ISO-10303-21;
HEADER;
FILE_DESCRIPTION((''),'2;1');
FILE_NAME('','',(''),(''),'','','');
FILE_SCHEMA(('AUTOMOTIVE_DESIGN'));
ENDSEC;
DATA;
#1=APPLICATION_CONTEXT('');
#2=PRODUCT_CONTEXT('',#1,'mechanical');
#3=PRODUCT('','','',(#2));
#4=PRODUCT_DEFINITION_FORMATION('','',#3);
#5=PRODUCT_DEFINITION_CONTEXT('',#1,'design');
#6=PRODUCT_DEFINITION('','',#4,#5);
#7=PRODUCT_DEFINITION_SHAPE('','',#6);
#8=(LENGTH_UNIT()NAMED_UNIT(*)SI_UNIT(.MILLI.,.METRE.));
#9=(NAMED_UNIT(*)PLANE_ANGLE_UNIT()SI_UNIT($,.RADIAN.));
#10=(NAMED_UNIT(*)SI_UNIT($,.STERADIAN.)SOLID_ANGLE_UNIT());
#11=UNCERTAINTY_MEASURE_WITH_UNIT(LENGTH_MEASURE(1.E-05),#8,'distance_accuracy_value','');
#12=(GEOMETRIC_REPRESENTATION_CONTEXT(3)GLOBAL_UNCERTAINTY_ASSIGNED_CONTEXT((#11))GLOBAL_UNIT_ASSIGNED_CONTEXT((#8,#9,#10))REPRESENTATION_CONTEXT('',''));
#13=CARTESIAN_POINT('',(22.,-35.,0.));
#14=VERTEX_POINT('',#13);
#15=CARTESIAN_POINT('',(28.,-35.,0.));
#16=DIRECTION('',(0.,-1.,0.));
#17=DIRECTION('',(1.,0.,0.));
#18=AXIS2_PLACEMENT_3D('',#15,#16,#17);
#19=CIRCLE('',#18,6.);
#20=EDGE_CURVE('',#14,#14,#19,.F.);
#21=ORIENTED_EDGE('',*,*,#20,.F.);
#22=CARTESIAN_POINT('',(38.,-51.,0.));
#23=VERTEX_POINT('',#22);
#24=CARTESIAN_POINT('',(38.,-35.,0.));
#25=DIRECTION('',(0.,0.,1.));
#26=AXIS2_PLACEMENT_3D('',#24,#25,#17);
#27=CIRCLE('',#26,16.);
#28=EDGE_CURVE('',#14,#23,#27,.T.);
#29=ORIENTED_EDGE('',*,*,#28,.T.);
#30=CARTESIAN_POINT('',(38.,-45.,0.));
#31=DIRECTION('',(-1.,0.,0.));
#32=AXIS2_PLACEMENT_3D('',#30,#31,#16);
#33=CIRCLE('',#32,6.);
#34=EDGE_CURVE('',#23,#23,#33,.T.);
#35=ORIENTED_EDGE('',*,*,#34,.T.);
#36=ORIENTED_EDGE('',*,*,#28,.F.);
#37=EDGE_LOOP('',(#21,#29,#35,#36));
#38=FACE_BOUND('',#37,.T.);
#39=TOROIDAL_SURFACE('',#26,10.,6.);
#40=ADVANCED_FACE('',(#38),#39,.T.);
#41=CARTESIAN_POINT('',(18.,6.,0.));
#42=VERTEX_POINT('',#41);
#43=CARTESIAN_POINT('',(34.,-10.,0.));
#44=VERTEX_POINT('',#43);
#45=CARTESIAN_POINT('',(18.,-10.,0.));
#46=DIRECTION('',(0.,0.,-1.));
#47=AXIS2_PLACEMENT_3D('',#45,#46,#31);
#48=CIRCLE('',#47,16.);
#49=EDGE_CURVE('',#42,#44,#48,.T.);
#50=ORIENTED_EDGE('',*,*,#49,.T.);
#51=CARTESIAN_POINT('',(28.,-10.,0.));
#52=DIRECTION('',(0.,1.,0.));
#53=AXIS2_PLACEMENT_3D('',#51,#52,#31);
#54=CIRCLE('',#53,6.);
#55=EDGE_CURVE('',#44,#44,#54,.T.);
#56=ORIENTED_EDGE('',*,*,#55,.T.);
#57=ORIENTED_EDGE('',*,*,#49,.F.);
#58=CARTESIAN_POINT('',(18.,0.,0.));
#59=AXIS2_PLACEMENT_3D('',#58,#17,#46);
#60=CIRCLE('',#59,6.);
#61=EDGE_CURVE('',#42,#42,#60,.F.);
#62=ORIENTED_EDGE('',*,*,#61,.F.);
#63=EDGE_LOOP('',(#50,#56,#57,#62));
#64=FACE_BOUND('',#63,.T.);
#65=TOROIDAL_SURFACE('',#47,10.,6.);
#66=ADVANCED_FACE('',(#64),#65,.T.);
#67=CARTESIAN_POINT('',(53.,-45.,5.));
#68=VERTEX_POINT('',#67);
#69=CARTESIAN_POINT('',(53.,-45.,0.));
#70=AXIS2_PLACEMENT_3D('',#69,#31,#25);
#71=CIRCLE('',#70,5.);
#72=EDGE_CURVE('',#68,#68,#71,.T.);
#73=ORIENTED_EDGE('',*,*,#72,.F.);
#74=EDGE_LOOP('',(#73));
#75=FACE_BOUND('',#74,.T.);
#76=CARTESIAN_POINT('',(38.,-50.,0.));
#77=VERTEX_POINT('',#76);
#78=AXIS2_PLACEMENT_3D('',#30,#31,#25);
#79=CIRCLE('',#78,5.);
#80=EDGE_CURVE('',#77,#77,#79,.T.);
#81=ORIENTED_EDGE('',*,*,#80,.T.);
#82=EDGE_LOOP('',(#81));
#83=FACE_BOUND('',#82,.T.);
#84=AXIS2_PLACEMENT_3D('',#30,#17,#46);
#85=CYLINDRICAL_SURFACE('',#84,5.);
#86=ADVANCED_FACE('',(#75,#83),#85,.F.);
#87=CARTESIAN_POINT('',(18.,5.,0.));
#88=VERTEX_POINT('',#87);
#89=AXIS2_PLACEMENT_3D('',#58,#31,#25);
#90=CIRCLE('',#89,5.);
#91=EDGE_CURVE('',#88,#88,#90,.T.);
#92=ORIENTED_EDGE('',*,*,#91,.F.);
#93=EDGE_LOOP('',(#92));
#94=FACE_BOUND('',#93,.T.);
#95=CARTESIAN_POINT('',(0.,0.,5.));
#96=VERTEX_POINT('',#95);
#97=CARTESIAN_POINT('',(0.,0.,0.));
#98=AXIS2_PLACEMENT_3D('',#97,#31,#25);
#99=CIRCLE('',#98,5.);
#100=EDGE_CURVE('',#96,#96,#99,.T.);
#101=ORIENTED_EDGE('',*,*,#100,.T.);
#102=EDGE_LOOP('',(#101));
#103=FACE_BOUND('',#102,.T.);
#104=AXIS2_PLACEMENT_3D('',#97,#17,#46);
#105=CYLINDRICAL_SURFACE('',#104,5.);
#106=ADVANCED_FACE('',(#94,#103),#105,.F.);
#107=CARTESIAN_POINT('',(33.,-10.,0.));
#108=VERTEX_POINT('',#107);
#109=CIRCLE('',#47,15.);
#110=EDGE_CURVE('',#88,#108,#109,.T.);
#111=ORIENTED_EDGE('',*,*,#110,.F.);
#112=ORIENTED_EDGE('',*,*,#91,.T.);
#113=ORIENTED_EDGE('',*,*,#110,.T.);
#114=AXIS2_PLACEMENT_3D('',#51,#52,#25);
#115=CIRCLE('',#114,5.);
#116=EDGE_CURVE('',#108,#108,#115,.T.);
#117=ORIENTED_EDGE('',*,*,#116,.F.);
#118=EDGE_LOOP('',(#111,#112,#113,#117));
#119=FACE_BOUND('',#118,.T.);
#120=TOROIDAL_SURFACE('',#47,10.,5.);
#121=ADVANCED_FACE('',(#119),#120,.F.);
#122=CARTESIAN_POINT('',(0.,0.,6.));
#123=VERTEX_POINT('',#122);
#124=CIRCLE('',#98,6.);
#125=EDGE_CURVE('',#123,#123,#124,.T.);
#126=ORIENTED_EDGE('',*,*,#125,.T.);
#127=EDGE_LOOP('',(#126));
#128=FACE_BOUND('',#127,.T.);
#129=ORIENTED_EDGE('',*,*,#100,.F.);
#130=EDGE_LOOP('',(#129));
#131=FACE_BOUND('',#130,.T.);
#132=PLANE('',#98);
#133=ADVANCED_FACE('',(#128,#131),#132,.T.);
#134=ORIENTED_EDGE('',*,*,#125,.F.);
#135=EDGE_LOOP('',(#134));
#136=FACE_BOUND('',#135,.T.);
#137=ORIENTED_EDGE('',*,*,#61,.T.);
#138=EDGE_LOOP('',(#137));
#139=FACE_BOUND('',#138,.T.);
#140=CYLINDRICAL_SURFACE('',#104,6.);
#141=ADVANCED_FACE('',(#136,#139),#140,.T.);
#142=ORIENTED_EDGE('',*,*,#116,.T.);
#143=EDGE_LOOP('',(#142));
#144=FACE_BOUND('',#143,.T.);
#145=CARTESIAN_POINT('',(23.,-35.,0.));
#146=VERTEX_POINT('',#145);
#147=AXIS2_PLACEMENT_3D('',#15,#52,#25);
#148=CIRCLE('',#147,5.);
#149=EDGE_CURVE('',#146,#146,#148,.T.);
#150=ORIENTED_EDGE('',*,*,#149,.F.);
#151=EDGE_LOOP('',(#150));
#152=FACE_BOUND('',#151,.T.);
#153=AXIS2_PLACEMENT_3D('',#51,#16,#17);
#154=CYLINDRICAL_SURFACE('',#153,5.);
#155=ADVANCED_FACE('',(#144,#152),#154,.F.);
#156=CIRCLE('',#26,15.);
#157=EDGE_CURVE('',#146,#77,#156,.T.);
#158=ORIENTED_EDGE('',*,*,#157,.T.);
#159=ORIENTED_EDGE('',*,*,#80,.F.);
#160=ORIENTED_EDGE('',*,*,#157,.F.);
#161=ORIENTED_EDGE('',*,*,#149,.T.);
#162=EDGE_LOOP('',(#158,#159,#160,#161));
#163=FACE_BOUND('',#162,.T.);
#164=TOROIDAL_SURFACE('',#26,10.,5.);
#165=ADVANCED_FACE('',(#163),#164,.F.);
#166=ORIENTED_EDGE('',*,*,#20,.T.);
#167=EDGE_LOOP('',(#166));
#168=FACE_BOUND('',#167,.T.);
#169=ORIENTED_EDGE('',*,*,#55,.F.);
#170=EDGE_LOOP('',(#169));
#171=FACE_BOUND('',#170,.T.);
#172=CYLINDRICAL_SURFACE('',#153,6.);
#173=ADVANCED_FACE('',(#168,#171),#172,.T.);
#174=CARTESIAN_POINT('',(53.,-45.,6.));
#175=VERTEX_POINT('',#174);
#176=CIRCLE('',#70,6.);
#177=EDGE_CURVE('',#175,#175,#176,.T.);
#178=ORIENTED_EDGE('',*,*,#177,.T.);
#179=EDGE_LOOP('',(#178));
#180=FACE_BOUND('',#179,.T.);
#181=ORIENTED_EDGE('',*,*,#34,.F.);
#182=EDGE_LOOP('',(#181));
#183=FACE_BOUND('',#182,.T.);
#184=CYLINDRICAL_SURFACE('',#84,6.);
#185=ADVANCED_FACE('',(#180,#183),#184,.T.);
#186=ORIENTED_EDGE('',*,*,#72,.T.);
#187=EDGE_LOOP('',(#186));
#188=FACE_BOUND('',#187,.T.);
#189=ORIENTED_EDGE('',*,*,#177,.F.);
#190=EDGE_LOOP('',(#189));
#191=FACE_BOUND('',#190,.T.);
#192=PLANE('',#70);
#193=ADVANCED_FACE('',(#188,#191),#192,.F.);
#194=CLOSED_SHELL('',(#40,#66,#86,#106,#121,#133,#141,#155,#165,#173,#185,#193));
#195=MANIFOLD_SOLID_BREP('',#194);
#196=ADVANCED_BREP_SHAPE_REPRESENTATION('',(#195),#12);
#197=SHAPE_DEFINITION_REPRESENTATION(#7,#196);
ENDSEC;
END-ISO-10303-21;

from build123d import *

# Parameters (mm, degrees)
SWEEP_THIN1_PROFILE_R   = 6
SWEEP_THIN1_PROFILE_R_2 = 5


with BuildPart() as part:
    # Sweep-Thin1: sweep along a path in Sketch1
    with BuildLine(Plane.XY) as sweep_thin1_path:
        Line((0, 0), (18, 0))
        ThreePointArc((18, 0), (25.071067812, -2.928932188), (28, -10))
        Line((28, -10), (28, -35))
        ThreePointArc((28, -35), (30.928932188, -42.071067812), (38, -45))
        Line((38, -45), (53, -45))
    # Sweep-Thin1 profile (on start of the path) → Sweep-Thin1 (sweep)
    with BuildSketch(Plane(origin=(0, 0, 0), x_dir=(0, 0, 1), z_dir=(1, 0, 0))):
        Circle(SWEEP_THIN1_PROFILE_R)
        Circle(SWEEP_THIN1_PROFILE_R_2, mode=Mode.SUBTRACT)
    sweep(path=sweep_thin1_path.line)


solid = part.part
